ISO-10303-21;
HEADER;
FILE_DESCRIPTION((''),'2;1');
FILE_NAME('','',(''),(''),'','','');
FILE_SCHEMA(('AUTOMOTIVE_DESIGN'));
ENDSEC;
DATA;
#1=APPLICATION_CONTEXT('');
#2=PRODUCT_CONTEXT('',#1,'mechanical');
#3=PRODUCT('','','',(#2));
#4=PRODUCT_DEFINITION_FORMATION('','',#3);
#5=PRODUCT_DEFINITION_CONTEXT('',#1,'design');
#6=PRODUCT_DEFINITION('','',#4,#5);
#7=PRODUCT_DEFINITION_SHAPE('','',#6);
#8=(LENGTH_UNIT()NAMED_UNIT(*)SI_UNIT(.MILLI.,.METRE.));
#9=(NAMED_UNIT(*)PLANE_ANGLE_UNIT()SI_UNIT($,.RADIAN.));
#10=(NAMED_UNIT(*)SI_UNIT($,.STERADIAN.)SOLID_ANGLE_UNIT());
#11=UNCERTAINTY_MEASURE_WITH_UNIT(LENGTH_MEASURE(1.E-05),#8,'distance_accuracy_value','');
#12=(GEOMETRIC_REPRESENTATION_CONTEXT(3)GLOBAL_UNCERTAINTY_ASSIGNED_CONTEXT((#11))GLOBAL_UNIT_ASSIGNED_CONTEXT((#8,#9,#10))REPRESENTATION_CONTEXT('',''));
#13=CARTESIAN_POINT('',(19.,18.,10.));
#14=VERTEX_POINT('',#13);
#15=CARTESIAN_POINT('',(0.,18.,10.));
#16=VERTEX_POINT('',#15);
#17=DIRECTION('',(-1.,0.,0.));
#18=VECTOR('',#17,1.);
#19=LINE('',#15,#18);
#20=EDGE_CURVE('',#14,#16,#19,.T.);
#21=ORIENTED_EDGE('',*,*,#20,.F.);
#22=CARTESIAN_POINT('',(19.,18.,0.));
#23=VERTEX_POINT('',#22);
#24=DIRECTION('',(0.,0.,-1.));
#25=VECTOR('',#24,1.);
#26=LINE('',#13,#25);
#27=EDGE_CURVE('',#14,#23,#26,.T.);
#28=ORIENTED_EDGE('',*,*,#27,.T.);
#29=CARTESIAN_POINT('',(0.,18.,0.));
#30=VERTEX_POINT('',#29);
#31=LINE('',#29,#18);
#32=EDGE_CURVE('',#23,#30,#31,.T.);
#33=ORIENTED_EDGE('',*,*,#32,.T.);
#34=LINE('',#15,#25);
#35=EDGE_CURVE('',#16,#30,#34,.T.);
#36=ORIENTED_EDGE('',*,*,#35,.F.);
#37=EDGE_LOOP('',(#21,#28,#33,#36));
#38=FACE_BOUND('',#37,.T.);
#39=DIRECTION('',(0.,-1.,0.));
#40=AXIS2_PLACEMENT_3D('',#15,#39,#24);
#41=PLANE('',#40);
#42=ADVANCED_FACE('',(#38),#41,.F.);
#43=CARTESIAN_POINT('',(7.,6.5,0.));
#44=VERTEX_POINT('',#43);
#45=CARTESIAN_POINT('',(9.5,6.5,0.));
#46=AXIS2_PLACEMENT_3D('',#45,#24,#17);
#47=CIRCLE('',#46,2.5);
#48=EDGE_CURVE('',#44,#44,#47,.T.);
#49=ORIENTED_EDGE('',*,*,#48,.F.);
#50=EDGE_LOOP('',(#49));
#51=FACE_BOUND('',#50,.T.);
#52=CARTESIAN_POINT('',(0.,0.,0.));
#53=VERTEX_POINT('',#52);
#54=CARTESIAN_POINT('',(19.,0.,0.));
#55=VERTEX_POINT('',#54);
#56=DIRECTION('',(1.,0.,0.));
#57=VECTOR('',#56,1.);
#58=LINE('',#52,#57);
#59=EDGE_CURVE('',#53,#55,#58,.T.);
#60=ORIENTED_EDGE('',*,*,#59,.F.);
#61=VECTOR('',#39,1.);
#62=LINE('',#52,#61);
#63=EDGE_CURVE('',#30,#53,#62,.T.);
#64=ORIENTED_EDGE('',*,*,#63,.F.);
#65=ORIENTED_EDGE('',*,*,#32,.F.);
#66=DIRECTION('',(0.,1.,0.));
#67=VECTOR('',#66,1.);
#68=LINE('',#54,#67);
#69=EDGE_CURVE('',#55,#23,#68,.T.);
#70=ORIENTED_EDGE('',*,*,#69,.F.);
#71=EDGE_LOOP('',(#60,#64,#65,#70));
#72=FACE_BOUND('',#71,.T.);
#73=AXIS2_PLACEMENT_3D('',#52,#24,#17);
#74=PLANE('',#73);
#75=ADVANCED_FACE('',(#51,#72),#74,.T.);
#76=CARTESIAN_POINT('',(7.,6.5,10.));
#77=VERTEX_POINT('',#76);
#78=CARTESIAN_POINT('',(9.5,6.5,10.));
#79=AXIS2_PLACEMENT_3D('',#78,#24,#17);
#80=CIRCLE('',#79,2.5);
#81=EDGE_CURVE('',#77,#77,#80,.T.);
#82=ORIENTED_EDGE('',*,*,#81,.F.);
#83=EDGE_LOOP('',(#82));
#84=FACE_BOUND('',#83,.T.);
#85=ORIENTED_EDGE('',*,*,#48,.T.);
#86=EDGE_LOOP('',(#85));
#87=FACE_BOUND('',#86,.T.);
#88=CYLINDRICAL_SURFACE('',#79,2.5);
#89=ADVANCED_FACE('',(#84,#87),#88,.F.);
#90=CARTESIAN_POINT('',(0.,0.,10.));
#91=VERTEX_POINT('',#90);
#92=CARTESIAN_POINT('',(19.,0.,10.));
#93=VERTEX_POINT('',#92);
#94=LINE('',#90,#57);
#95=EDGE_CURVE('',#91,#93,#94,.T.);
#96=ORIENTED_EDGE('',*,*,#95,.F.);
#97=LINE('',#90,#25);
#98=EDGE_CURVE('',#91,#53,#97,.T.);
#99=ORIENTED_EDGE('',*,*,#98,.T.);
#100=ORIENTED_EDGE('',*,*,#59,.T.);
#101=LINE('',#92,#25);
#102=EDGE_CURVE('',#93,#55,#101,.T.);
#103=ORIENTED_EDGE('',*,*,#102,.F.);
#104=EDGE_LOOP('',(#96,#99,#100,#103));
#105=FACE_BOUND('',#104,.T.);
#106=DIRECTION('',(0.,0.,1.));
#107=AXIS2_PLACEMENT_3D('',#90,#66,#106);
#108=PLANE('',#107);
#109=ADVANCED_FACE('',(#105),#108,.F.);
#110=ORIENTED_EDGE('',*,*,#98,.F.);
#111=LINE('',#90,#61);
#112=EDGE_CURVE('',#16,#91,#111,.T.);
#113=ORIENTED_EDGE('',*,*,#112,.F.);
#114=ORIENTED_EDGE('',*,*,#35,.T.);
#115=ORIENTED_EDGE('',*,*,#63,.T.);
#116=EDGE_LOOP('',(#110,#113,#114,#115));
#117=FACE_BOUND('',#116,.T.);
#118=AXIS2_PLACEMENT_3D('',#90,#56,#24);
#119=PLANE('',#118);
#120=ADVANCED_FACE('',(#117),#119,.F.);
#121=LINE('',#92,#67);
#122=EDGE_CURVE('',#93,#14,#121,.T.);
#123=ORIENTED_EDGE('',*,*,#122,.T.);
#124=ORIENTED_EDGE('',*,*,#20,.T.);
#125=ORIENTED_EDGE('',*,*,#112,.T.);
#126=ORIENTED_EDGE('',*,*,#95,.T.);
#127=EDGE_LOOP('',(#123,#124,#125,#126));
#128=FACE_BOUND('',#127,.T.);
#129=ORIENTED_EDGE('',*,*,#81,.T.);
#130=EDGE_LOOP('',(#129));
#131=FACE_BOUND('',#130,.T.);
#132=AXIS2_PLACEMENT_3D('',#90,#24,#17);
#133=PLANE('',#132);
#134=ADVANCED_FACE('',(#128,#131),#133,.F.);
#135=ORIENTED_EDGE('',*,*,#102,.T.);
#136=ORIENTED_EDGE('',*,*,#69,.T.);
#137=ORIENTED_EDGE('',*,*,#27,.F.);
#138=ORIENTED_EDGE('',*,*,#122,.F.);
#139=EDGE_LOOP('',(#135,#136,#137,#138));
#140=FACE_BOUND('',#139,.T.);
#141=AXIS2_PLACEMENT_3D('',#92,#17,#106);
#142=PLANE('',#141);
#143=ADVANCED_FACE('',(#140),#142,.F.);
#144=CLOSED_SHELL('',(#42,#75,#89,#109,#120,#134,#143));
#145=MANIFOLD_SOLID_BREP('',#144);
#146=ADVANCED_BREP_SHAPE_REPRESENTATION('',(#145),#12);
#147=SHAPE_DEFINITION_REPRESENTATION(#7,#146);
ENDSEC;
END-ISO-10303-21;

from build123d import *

# Parameters (mm, degrees)
SKETCH_1_W          = 19
SKETCH_1_H          = 18
EXTRUDE_1_DEPTH     = 10
SKETCH_2_R          = 2.5
CUT_EXTRUDE_1_DEPTH = 29.017851452


with BuildPart() as part:
    # Эскиз1 → Бобышка-Вытянуть1 (new body)
    with BuildSketch(Plane.XY):
        with Locations((9.5, 9)):
            Rectangle(SKETCH_1_W, SKETCH_1_H)
    extrude(amount=EXTRUDE_1_DEPTH)

    # Эскиз2 → Вырез-Вытянуть1 (cut, through all)
    with BuildSketch(Plane(origin=(0, 0, 0), x_dir=(-1, 0, 0), z_dir=(0, 0, -1))):
        with Locations((-9.5, 6.5)):
            Circle(SKETCH_2_R)
    extrude(amount=-CUT_EXTRUDE_1_DEPTH, mode=Mode.SUBTRACT)


solid = part.part
